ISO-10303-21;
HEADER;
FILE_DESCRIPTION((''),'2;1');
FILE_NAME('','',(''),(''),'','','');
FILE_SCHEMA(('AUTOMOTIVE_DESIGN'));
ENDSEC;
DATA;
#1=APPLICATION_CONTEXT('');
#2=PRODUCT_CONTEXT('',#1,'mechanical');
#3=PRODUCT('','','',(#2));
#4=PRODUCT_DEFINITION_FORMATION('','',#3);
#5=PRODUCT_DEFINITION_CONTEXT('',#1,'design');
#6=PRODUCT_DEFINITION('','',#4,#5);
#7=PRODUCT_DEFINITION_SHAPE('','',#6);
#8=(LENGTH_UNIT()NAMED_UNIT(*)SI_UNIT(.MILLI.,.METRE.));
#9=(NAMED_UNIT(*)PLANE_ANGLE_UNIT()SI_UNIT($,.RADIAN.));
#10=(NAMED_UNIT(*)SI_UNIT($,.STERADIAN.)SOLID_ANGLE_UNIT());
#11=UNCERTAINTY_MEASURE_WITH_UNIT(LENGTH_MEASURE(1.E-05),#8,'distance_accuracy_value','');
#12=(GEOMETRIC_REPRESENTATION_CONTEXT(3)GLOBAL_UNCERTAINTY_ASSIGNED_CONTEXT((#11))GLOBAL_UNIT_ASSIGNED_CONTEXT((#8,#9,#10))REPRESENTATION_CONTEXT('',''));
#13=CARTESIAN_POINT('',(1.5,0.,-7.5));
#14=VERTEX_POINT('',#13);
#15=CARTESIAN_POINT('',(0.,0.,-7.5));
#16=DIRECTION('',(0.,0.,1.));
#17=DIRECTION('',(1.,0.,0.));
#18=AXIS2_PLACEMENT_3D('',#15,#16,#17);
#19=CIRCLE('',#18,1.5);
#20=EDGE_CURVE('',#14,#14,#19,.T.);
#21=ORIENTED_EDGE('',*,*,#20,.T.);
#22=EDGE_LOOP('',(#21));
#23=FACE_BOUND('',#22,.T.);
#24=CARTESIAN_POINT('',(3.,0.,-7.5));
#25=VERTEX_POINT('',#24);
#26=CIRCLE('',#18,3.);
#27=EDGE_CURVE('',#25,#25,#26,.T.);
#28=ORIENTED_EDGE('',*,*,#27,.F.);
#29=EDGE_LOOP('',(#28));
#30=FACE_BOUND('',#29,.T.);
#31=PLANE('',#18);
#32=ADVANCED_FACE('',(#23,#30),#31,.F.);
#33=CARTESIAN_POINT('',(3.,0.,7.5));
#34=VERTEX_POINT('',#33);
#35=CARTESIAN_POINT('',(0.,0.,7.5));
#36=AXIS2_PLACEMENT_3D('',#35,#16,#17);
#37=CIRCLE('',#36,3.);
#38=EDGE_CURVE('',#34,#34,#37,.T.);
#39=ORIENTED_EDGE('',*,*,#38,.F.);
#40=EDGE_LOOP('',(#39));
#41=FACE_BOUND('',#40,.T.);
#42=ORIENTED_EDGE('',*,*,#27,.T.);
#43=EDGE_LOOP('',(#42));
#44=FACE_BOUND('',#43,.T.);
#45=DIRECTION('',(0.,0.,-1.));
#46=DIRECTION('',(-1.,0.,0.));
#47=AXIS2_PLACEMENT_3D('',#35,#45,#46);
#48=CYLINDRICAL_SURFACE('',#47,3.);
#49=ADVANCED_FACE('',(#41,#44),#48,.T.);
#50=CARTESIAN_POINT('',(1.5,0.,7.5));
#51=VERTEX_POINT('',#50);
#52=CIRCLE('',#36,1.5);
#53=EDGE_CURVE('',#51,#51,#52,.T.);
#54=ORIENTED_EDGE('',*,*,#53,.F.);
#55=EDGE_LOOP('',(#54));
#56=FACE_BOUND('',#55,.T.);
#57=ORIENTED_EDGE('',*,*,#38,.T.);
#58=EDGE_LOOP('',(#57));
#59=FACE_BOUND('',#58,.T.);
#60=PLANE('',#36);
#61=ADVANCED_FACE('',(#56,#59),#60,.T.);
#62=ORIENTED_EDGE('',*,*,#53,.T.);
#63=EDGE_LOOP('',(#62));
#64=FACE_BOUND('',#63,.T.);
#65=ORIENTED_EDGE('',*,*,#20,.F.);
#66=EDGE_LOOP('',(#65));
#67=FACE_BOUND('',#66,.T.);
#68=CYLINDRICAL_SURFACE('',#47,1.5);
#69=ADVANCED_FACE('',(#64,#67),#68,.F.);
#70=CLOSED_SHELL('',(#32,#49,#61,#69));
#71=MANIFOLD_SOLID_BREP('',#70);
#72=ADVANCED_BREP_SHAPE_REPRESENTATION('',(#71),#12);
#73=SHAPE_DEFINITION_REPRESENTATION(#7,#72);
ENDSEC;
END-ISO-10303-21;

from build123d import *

# Parameters (mm, degrees)
SKETCH_1_R      = 3
SKETCH_1_R_2    = 1.5
EXTRUDE_1_DEPTH = 7.5


with BuildPart() as part:
    # 草图1 → 凸台-拉伸1 (new body, symmetric)
    with BuildSketch(Plane.XY):
        Circle(SKETCH_1_R)
        Circle(SKETCH_1_R_2, mode=Mode.SUBTRACT)
    extrude(amount=EXTRUDE_1_DEPTH, both=True)


solid = part.part
